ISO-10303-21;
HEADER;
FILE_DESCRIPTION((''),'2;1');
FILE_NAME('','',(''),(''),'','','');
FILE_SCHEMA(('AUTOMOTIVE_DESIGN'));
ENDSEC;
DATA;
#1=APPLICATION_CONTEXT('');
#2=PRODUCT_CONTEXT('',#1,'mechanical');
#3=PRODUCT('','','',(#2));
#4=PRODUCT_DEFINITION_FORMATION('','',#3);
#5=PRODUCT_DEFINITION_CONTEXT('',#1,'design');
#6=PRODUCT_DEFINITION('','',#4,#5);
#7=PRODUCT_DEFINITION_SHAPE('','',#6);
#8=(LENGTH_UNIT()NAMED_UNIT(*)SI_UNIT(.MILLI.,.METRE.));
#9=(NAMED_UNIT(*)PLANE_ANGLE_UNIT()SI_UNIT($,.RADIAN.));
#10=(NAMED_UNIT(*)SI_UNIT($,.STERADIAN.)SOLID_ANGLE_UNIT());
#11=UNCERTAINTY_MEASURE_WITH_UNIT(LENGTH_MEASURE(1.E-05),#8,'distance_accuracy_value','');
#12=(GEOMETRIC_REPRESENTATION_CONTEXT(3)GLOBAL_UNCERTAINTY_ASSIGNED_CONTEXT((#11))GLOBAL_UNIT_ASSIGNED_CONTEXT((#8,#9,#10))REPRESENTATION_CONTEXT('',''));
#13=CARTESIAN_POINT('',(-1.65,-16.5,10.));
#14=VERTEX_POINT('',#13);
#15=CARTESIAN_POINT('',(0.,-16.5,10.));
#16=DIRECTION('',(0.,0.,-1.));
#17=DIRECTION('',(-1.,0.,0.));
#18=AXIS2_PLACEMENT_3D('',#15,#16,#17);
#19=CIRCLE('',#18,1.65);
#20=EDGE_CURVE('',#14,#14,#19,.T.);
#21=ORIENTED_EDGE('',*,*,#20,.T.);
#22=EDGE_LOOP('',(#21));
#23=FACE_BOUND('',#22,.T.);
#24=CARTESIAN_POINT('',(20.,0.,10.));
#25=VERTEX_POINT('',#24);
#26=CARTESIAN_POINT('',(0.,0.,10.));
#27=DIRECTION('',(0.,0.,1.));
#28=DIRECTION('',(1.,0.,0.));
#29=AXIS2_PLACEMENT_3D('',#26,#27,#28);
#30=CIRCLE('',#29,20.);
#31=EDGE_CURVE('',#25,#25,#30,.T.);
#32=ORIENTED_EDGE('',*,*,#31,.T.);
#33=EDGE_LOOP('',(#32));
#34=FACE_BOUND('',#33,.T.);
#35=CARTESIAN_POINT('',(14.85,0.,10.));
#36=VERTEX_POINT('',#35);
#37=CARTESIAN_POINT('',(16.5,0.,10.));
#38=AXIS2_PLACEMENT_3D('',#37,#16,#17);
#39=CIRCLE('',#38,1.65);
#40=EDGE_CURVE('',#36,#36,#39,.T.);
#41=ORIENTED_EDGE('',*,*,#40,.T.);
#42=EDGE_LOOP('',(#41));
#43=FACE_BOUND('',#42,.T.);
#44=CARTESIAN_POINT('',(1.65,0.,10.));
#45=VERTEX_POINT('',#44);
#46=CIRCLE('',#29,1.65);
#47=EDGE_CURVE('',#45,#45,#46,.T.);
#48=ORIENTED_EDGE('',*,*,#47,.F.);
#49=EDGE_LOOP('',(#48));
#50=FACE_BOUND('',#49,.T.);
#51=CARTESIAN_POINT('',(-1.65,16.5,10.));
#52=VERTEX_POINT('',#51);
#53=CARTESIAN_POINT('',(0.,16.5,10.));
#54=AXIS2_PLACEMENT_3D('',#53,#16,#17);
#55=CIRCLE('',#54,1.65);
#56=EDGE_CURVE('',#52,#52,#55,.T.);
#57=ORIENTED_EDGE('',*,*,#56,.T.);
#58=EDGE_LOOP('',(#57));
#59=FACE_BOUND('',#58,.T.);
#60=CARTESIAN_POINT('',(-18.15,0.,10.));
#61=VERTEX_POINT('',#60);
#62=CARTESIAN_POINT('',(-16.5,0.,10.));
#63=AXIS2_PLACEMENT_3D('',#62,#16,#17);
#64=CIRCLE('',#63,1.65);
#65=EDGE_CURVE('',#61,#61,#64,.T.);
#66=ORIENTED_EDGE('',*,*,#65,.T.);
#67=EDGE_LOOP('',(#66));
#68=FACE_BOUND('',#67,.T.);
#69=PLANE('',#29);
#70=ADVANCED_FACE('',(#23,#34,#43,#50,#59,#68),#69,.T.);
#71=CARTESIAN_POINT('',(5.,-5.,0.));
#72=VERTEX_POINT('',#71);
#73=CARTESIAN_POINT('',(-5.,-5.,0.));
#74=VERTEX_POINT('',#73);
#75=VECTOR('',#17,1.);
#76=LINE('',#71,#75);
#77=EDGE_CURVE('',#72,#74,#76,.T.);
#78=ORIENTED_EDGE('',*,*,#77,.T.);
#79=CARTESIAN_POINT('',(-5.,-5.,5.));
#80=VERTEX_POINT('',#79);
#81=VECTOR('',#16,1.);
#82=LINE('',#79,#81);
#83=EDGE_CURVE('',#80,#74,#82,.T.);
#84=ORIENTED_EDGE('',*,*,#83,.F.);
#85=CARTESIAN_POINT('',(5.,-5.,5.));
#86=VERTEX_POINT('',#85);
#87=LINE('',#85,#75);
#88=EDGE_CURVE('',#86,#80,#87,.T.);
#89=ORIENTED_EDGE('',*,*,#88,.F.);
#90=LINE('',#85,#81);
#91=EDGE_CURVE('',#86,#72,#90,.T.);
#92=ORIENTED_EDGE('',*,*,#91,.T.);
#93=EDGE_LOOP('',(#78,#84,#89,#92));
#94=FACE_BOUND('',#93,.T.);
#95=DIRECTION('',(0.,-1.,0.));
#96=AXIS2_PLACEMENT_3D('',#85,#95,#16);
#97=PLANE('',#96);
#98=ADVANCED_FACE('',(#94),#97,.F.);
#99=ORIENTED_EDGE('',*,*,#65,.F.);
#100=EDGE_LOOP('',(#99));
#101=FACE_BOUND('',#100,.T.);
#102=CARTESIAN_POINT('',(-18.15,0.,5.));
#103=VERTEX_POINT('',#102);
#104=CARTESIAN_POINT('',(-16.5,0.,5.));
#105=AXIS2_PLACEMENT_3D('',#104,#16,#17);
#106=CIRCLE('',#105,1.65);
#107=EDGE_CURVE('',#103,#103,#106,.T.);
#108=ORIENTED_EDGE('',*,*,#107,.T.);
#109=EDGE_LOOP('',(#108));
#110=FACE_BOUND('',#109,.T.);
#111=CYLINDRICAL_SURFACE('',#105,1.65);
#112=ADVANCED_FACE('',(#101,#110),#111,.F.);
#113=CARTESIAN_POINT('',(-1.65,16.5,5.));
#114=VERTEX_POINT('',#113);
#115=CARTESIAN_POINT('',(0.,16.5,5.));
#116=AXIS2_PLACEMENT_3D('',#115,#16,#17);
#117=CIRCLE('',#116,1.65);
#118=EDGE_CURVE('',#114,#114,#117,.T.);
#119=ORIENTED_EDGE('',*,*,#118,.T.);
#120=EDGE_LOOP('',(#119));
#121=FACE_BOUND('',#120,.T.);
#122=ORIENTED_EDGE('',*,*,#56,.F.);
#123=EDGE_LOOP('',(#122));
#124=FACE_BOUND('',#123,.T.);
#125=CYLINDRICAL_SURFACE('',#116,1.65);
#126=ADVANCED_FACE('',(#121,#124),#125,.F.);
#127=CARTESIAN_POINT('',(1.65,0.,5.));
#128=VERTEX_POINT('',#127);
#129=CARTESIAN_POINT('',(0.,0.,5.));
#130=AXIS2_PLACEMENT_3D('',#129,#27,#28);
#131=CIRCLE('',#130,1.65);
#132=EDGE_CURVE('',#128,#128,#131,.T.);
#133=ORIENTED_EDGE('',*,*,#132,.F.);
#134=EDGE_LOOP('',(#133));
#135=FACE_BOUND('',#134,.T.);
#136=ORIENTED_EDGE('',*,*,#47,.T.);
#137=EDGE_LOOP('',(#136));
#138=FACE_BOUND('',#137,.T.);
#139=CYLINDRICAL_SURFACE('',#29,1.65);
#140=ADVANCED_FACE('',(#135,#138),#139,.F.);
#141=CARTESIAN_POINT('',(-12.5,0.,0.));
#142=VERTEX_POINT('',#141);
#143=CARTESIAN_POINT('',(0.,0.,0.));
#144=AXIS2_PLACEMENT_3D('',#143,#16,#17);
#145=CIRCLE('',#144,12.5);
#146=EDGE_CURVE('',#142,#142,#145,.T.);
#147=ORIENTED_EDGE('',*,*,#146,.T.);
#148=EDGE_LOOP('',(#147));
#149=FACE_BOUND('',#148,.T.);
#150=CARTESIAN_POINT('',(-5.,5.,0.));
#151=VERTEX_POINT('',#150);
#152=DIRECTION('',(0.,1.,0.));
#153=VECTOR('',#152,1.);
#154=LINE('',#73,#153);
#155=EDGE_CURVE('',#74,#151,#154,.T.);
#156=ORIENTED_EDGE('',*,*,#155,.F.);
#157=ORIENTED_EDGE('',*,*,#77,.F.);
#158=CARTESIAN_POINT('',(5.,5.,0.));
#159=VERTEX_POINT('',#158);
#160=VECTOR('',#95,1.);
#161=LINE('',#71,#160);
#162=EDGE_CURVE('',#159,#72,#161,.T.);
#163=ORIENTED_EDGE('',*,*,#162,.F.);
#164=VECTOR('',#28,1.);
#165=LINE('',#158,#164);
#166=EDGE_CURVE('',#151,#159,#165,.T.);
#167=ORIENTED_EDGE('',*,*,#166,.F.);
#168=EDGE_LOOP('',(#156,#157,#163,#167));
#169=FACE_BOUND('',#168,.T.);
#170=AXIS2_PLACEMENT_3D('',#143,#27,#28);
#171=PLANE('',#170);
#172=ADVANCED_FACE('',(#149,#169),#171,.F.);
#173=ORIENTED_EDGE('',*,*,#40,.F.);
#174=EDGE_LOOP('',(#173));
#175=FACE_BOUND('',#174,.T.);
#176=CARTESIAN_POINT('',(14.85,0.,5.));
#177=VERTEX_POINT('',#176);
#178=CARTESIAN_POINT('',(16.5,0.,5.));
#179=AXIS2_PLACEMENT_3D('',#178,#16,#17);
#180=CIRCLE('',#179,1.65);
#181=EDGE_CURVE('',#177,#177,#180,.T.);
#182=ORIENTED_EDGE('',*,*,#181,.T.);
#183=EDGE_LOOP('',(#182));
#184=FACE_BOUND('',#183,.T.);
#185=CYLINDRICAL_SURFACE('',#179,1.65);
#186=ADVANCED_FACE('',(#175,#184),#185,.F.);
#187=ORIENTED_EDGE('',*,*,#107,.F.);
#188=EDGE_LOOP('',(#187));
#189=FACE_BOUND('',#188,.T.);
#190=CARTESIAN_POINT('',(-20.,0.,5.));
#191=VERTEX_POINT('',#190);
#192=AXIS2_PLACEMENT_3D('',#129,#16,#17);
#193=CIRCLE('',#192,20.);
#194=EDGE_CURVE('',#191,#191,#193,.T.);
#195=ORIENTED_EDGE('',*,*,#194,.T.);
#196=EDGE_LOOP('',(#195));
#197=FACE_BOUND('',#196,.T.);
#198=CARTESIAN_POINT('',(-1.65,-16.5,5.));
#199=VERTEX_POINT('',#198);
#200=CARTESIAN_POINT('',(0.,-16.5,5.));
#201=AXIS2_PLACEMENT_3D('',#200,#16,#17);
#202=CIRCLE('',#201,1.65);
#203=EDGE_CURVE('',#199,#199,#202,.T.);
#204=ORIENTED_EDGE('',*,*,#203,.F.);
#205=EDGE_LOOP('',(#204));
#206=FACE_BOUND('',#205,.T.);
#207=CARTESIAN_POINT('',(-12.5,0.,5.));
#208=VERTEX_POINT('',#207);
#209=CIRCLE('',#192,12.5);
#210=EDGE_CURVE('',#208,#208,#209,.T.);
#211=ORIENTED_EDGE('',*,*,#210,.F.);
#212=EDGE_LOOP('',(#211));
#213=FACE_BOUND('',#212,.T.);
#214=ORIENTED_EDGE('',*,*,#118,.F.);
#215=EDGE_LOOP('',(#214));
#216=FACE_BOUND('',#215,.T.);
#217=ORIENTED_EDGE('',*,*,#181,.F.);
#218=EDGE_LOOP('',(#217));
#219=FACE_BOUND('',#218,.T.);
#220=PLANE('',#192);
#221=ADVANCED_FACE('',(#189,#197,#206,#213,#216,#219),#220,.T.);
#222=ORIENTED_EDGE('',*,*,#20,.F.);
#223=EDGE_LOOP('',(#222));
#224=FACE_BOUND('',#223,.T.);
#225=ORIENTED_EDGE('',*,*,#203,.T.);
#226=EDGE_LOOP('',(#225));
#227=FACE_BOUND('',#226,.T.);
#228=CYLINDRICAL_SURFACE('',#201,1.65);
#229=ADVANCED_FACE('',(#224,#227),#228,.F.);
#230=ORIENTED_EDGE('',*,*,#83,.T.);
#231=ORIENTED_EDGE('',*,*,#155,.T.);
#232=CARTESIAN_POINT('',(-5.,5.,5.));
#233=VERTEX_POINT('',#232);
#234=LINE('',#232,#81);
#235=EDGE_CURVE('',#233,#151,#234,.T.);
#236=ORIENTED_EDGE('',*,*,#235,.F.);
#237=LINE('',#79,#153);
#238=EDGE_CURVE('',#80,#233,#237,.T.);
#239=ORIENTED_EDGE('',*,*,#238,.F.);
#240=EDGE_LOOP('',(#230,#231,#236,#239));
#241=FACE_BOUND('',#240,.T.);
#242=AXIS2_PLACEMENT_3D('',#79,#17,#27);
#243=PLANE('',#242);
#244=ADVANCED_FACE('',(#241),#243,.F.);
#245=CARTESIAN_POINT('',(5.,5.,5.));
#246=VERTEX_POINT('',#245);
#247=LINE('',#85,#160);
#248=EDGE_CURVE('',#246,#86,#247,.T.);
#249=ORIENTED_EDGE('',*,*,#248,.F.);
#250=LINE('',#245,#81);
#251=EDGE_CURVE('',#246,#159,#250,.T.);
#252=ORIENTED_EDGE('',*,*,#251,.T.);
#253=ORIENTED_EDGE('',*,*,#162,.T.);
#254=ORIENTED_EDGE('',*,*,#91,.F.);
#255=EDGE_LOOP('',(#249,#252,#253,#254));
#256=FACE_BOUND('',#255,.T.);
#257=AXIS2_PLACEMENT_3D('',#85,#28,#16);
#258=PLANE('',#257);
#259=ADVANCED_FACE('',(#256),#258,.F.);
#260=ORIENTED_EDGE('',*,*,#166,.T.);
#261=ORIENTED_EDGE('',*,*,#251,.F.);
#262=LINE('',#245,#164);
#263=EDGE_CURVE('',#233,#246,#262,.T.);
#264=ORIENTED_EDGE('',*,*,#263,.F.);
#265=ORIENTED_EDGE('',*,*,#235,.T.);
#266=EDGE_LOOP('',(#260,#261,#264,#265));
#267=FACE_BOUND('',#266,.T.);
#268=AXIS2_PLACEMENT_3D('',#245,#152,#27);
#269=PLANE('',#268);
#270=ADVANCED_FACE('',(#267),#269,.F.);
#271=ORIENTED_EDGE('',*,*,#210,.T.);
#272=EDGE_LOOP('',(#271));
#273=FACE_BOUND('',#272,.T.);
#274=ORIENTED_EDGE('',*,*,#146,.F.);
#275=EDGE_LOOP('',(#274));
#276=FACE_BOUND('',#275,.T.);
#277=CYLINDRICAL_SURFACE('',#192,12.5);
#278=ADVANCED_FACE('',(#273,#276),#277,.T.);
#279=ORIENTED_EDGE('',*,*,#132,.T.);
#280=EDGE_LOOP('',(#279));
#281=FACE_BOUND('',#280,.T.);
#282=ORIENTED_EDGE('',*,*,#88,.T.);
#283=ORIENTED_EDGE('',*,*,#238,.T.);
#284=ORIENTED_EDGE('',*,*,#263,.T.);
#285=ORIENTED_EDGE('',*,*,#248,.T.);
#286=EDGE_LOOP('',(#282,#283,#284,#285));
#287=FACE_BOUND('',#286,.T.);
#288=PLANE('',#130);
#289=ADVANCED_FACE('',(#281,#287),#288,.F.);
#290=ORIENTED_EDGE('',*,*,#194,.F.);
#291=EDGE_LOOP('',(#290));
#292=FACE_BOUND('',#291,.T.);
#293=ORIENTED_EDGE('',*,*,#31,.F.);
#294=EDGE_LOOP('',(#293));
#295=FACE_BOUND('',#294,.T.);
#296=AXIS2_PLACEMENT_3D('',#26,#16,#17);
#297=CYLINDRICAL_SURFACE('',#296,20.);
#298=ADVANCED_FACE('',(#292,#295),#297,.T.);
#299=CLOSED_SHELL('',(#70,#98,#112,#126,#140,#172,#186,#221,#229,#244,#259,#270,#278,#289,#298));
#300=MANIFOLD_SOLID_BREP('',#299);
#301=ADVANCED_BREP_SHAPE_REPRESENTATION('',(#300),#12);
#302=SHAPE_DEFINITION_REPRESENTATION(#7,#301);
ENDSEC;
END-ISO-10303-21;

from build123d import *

# Parameters (mm, degrees)
SKETCH1_R             = 20
BOSS_EXTRUDE1_DEPTH   = 10
SKETCH2_W             = 10
SKETCH2_H             = 10
CUT_EXTRUDE1_DEPTH    = 5
M4X0_7_TAPPED_HOLE1_D = 3.3
SKETCH6_R             = 20
SKETCH6_R_2           = 12.5
CUT_EXTRUDE2_DEPTH    = 5
M4X0_7_TAPPED_HOLE2_D = 3.3


with BuildPart() as part:
    # Sketch1 → Boss-Extrude1 (new body)
    with BuildSketch(Plane.XY):
        Circle(SKETCH1_R)
    extrude(amount=BOSS_EXTRUDE1_DEPTH)

    # Sketch2 → Cut-Extrude1 (cut)
    with BuildSketch(Plane(origin=(0, 0, 0), x_dir=(-1, 0, 0), z_dir=(0, 0, -1))):
        Rectangle(SKETCH2_W, SKETCH2_H)
    extrude(amount=-CUT_EXTRUDE1_DEPTH, mode=Mode.SUBTRACT)

    # M4x0.7 Tapped Hole1 (through all)
    with Locations(Plane.XY.offset(10)):
        with Locations((0, 0)):
            Hole(M4X0_7_TAPPED_HOLE1_D / 2)

    # Sketch6 → Cut-Extrude2 (cut)
    with BuildSketch(Plane(origin=(0, 0, 0), x_dir=(-1, 0, 0), z_dir=(0, 0, -1))):
        Circle(SKETCH6_R)
        Circle(SKETCH6_R_2, mode=Mode.SUBTRACT)
    extrude(amount=-CUT_EXTRUDE2_DEPTH, mode=Mode.SUBTRACT)

    # M4x0.7 Tapped Hole2 (through all)
    with Locations(Plane(origin=(0, 0, 5), x_dir=(-1, 0, 0), z_dir=(0, 0, -1))):
        with Locations((0, 16.5), (16.5, 0), (0, -16.5), (0, 0), (-16.5, 0)):
            Hole(M4X0_7_TAPPED_HOLE2_D / 2)


solid = part.part
